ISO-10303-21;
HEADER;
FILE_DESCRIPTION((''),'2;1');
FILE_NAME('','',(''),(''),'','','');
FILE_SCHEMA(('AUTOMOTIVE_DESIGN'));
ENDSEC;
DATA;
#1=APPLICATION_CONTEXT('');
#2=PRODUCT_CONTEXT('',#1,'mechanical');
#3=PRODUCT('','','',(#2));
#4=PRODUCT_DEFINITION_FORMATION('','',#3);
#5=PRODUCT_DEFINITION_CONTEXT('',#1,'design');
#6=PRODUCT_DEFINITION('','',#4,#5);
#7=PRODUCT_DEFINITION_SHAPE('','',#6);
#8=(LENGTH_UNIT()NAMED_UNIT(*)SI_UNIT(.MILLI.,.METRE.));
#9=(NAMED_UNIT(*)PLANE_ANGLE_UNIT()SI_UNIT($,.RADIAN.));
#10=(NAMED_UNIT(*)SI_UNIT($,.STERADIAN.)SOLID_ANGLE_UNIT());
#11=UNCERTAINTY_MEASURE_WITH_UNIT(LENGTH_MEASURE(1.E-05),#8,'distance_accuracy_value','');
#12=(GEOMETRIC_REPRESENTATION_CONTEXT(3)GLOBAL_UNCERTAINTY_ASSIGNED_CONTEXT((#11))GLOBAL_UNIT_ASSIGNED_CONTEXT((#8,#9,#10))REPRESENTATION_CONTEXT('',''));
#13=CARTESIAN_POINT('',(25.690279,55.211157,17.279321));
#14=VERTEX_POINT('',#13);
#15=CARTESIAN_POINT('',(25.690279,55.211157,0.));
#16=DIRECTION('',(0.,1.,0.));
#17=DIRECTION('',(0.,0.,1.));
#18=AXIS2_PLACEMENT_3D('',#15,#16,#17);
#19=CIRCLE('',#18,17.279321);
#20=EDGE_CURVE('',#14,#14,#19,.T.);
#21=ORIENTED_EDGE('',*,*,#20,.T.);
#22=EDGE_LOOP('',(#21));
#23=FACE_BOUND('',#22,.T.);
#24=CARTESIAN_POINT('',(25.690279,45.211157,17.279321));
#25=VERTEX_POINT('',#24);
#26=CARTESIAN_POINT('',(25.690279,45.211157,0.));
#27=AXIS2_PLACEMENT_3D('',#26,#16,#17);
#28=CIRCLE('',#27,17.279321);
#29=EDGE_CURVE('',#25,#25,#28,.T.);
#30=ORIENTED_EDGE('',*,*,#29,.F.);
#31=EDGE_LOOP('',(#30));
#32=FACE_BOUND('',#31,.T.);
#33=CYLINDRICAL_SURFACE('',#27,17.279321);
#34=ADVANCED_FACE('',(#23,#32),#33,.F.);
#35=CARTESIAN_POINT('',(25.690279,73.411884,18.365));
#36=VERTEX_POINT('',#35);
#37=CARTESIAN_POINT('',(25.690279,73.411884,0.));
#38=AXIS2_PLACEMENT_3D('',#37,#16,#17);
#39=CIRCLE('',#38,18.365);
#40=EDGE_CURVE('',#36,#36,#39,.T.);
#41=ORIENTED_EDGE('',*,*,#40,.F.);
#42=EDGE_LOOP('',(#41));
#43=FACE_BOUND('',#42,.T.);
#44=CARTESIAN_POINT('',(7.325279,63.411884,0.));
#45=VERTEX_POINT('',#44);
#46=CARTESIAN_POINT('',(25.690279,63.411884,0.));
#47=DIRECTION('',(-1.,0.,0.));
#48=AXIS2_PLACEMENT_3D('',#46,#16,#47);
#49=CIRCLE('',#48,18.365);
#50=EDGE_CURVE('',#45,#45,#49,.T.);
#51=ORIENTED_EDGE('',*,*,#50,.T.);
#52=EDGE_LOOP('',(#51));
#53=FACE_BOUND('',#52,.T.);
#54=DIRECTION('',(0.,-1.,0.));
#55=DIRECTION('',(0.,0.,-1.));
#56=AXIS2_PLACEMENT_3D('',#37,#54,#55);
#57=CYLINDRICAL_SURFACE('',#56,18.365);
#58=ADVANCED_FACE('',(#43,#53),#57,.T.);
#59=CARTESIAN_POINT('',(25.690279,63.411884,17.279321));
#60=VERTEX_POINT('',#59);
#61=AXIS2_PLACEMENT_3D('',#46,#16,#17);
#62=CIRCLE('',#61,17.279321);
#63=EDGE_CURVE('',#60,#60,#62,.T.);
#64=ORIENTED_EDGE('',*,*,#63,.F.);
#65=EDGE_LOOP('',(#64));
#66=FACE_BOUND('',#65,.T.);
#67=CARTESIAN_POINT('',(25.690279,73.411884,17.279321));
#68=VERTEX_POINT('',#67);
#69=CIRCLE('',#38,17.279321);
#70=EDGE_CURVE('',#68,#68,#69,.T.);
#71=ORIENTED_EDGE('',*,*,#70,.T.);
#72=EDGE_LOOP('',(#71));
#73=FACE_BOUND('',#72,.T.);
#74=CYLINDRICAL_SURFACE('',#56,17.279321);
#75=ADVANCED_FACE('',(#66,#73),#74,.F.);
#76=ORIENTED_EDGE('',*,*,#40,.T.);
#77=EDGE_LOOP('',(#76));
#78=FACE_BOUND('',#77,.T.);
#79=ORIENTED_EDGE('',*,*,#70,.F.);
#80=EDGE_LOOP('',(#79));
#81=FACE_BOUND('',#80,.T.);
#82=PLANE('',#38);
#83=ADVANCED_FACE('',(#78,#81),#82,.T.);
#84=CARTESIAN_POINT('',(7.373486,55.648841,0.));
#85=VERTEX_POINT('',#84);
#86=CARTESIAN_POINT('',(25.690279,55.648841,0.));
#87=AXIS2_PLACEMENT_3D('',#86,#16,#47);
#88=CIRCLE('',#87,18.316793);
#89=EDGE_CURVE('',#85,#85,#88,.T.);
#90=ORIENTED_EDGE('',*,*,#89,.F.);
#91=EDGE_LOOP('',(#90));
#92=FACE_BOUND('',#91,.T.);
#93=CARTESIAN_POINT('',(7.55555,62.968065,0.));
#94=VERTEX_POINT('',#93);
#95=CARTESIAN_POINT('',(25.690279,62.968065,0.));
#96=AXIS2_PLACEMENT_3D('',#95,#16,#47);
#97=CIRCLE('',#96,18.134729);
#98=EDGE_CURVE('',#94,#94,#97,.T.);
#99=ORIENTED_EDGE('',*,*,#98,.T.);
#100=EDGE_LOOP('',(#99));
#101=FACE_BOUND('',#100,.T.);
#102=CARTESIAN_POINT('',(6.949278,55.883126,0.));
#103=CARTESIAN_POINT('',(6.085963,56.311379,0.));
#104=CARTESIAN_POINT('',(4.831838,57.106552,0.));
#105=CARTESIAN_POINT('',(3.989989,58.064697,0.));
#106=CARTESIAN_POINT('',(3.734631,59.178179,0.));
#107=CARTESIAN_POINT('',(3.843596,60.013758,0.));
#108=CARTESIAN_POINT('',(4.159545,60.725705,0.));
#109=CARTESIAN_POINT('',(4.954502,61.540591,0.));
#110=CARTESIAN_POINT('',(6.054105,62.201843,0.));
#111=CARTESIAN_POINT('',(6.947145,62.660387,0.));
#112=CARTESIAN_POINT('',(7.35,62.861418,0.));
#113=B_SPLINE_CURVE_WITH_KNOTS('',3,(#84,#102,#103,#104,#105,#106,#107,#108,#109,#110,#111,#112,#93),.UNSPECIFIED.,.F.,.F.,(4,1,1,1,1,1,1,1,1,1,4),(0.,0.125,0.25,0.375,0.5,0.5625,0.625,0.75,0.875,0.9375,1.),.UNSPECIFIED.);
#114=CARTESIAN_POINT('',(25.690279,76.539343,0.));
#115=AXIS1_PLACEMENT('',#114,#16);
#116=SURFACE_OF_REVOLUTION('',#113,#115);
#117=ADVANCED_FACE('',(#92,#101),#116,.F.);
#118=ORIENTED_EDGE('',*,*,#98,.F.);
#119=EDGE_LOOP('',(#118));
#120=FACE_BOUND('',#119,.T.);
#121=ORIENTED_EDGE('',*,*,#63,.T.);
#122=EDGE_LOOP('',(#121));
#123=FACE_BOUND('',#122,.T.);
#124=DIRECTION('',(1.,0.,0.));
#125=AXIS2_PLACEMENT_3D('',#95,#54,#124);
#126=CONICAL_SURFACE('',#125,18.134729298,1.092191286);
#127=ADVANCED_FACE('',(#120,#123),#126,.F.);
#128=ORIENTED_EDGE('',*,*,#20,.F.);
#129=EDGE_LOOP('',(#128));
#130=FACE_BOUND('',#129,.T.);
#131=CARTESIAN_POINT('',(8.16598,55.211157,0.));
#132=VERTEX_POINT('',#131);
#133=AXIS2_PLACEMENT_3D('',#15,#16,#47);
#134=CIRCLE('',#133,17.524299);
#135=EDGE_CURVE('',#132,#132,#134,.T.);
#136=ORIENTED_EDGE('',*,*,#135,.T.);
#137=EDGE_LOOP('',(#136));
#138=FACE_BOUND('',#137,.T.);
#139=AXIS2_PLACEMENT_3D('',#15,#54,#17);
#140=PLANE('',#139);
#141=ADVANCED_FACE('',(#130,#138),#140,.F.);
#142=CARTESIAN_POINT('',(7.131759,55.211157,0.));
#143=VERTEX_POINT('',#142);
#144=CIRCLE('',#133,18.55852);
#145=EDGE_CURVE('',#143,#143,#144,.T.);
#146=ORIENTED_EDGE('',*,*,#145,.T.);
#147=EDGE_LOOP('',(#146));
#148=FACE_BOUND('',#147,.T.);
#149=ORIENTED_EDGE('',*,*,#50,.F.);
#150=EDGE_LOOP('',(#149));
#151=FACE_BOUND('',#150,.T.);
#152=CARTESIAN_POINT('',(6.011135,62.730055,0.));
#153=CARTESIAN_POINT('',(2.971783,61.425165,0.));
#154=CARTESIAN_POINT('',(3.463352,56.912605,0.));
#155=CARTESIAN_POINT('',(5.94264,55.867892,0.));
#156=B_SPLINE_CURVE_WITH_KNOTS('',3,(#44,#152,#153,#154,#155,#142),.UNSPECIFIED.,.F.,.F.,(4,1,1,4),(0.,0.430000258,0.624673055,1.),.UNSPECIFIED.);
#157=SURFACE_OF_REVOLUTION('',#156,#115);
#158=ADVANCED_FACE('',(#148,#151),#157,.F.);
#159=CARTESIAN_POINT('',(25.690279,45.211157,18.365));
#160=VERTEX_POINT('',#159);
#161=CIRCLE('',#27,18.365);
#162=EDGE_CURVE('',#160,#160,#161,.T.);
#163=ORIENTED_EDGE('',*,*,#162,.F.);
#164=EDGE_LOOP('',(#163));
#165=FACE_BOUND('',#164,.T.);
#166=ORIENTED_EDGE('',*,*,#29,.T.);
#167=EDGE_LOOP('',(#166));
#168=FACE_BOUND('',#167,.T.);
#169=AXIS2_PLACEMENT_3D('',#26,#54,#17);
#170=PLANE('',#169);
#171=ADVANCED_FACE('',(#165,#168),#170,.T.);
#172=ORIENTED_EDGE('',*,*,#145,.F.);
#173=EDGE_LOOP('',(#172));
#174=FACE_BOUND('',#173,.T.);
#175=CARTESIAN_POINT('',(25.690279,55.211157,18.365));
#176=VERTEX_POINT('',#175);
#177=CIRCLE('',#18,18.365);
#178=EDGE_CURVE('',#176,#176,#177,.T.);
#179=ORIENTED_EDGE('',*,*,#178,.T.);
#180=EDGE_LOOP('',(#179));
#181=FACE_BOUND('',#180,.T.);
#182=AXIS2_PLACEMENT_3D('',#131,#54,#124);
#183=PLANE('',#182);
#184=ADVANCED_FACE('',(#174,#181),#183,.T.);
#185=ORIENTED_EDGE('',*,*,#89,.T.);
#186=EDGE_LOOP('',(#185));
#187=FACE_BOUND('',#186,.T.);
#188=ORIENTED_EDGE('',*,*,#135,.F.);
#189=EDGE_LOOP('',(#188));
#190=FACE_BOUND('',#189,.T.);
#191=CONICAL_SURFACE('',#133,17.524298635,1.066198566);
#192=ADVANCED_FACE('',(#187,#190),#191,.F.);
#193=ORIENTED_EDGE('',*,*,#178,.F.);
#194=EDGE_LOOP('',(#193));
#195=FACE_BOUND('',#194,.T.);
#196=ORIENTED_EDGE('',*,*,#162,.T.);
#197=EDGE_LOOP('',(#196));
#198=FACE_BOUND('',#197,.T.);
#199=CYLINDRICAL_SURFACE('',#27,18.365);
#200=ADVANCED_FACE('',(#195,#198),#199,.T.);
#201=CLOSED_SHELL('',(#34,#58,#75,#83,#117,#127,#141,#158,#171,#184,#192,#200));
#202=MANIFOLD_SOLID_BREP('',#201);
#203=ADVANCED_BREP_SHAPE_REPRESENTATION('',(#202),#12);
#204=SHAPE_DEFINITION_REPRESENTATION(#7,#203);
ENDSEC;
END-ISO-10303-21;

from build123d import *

# Parameters (mm, degrees)
SKETCH2_R           = 18.365
SKETCH2_R_2         = 17.279321286
BOSS_EXTRUDE1_DEPTH = 10


with BuildPart() as part:
    # Sketch1 → Revolve1 (revolve)
    with BuildSketch(Plane.XY):
        with BuildLine():
            Line((7.325278854, 63.411883954), (8.410957568, 63.411883954))
            Line((8.410957568, 63.411883954), (7.555549556, 62.968064842))
            add(Edge.make_bspline(
                [(7.555549556, 62.968064842), (7.34999991, 62.861417651), (6.947144673, 62.660387479), (6.05410487, 62.201842629), (4.95450234, 61.540590874), (4.15954484, 60.725704583), (3.843595581, 60.013758398), (3.734630504, 59.178179351), (3.989989442, 58.064696871), (4.831837818, 57.106551686), (6.08596344, 56.311379341), (6.949277865, 55.883126275), (7.373486281, 55.648841265)],
                knots=[0, 0, 0, 0, 0.0625, 0.125, 0.25, 0.375, 0.4375, 0.5, 0.625, 0.75, 0.875, 1, 1, 1, 1], degree=3))
            Line((7.373486281, 55.648841265), (8.165980219, 55.21115676))
            Line((8.165980219, 55.21115676), (7.131758595, 55.21115676))
            add(Edge.make_bspline(
                [(7.325278854, 63.411883954), (6.011135244, 62.730054884), (2.971783405, 61.4251647), (3.46335157, 56.912604996), (5.942640085, 55.867892063), (7.131758595, 55.21115676)],
                knots=[0, 0, 0, 0, 0.430000258, 0.624673055, 1, 1, 1, 1], degree=3))
        make_face()
    revolve(axis=Axis((25.690278854, 76.539342874, 0), (0, -1, 0)))

    # Sketch2 → Boss-Extrude1 (add)
    with BuildSketch(Plane(origin=(0, 63.411883954, 0), x_dir=(1, 0, 0), z_dir=(0, 1, 0))):
        with Locations(Location((25.690278854, 0, 0), (0, 0, 180))):
            Circle(SKETCH2_R)
        with Locations(Location((25.690278854, 0, 0), (0, 0, 270))):
            Circle(SKETCH2_R_2, mode=Mode.SUBTRACT)
    boss_extrude1 = extrude(amount=BOSS_EXTRUDE1_DEPTH)

    # Mirror1: Boss-Extrude1 across plane
    add(boss_extrude1.mirror(Plane.ZX.offset(59.311520357)))


solid = part.part
